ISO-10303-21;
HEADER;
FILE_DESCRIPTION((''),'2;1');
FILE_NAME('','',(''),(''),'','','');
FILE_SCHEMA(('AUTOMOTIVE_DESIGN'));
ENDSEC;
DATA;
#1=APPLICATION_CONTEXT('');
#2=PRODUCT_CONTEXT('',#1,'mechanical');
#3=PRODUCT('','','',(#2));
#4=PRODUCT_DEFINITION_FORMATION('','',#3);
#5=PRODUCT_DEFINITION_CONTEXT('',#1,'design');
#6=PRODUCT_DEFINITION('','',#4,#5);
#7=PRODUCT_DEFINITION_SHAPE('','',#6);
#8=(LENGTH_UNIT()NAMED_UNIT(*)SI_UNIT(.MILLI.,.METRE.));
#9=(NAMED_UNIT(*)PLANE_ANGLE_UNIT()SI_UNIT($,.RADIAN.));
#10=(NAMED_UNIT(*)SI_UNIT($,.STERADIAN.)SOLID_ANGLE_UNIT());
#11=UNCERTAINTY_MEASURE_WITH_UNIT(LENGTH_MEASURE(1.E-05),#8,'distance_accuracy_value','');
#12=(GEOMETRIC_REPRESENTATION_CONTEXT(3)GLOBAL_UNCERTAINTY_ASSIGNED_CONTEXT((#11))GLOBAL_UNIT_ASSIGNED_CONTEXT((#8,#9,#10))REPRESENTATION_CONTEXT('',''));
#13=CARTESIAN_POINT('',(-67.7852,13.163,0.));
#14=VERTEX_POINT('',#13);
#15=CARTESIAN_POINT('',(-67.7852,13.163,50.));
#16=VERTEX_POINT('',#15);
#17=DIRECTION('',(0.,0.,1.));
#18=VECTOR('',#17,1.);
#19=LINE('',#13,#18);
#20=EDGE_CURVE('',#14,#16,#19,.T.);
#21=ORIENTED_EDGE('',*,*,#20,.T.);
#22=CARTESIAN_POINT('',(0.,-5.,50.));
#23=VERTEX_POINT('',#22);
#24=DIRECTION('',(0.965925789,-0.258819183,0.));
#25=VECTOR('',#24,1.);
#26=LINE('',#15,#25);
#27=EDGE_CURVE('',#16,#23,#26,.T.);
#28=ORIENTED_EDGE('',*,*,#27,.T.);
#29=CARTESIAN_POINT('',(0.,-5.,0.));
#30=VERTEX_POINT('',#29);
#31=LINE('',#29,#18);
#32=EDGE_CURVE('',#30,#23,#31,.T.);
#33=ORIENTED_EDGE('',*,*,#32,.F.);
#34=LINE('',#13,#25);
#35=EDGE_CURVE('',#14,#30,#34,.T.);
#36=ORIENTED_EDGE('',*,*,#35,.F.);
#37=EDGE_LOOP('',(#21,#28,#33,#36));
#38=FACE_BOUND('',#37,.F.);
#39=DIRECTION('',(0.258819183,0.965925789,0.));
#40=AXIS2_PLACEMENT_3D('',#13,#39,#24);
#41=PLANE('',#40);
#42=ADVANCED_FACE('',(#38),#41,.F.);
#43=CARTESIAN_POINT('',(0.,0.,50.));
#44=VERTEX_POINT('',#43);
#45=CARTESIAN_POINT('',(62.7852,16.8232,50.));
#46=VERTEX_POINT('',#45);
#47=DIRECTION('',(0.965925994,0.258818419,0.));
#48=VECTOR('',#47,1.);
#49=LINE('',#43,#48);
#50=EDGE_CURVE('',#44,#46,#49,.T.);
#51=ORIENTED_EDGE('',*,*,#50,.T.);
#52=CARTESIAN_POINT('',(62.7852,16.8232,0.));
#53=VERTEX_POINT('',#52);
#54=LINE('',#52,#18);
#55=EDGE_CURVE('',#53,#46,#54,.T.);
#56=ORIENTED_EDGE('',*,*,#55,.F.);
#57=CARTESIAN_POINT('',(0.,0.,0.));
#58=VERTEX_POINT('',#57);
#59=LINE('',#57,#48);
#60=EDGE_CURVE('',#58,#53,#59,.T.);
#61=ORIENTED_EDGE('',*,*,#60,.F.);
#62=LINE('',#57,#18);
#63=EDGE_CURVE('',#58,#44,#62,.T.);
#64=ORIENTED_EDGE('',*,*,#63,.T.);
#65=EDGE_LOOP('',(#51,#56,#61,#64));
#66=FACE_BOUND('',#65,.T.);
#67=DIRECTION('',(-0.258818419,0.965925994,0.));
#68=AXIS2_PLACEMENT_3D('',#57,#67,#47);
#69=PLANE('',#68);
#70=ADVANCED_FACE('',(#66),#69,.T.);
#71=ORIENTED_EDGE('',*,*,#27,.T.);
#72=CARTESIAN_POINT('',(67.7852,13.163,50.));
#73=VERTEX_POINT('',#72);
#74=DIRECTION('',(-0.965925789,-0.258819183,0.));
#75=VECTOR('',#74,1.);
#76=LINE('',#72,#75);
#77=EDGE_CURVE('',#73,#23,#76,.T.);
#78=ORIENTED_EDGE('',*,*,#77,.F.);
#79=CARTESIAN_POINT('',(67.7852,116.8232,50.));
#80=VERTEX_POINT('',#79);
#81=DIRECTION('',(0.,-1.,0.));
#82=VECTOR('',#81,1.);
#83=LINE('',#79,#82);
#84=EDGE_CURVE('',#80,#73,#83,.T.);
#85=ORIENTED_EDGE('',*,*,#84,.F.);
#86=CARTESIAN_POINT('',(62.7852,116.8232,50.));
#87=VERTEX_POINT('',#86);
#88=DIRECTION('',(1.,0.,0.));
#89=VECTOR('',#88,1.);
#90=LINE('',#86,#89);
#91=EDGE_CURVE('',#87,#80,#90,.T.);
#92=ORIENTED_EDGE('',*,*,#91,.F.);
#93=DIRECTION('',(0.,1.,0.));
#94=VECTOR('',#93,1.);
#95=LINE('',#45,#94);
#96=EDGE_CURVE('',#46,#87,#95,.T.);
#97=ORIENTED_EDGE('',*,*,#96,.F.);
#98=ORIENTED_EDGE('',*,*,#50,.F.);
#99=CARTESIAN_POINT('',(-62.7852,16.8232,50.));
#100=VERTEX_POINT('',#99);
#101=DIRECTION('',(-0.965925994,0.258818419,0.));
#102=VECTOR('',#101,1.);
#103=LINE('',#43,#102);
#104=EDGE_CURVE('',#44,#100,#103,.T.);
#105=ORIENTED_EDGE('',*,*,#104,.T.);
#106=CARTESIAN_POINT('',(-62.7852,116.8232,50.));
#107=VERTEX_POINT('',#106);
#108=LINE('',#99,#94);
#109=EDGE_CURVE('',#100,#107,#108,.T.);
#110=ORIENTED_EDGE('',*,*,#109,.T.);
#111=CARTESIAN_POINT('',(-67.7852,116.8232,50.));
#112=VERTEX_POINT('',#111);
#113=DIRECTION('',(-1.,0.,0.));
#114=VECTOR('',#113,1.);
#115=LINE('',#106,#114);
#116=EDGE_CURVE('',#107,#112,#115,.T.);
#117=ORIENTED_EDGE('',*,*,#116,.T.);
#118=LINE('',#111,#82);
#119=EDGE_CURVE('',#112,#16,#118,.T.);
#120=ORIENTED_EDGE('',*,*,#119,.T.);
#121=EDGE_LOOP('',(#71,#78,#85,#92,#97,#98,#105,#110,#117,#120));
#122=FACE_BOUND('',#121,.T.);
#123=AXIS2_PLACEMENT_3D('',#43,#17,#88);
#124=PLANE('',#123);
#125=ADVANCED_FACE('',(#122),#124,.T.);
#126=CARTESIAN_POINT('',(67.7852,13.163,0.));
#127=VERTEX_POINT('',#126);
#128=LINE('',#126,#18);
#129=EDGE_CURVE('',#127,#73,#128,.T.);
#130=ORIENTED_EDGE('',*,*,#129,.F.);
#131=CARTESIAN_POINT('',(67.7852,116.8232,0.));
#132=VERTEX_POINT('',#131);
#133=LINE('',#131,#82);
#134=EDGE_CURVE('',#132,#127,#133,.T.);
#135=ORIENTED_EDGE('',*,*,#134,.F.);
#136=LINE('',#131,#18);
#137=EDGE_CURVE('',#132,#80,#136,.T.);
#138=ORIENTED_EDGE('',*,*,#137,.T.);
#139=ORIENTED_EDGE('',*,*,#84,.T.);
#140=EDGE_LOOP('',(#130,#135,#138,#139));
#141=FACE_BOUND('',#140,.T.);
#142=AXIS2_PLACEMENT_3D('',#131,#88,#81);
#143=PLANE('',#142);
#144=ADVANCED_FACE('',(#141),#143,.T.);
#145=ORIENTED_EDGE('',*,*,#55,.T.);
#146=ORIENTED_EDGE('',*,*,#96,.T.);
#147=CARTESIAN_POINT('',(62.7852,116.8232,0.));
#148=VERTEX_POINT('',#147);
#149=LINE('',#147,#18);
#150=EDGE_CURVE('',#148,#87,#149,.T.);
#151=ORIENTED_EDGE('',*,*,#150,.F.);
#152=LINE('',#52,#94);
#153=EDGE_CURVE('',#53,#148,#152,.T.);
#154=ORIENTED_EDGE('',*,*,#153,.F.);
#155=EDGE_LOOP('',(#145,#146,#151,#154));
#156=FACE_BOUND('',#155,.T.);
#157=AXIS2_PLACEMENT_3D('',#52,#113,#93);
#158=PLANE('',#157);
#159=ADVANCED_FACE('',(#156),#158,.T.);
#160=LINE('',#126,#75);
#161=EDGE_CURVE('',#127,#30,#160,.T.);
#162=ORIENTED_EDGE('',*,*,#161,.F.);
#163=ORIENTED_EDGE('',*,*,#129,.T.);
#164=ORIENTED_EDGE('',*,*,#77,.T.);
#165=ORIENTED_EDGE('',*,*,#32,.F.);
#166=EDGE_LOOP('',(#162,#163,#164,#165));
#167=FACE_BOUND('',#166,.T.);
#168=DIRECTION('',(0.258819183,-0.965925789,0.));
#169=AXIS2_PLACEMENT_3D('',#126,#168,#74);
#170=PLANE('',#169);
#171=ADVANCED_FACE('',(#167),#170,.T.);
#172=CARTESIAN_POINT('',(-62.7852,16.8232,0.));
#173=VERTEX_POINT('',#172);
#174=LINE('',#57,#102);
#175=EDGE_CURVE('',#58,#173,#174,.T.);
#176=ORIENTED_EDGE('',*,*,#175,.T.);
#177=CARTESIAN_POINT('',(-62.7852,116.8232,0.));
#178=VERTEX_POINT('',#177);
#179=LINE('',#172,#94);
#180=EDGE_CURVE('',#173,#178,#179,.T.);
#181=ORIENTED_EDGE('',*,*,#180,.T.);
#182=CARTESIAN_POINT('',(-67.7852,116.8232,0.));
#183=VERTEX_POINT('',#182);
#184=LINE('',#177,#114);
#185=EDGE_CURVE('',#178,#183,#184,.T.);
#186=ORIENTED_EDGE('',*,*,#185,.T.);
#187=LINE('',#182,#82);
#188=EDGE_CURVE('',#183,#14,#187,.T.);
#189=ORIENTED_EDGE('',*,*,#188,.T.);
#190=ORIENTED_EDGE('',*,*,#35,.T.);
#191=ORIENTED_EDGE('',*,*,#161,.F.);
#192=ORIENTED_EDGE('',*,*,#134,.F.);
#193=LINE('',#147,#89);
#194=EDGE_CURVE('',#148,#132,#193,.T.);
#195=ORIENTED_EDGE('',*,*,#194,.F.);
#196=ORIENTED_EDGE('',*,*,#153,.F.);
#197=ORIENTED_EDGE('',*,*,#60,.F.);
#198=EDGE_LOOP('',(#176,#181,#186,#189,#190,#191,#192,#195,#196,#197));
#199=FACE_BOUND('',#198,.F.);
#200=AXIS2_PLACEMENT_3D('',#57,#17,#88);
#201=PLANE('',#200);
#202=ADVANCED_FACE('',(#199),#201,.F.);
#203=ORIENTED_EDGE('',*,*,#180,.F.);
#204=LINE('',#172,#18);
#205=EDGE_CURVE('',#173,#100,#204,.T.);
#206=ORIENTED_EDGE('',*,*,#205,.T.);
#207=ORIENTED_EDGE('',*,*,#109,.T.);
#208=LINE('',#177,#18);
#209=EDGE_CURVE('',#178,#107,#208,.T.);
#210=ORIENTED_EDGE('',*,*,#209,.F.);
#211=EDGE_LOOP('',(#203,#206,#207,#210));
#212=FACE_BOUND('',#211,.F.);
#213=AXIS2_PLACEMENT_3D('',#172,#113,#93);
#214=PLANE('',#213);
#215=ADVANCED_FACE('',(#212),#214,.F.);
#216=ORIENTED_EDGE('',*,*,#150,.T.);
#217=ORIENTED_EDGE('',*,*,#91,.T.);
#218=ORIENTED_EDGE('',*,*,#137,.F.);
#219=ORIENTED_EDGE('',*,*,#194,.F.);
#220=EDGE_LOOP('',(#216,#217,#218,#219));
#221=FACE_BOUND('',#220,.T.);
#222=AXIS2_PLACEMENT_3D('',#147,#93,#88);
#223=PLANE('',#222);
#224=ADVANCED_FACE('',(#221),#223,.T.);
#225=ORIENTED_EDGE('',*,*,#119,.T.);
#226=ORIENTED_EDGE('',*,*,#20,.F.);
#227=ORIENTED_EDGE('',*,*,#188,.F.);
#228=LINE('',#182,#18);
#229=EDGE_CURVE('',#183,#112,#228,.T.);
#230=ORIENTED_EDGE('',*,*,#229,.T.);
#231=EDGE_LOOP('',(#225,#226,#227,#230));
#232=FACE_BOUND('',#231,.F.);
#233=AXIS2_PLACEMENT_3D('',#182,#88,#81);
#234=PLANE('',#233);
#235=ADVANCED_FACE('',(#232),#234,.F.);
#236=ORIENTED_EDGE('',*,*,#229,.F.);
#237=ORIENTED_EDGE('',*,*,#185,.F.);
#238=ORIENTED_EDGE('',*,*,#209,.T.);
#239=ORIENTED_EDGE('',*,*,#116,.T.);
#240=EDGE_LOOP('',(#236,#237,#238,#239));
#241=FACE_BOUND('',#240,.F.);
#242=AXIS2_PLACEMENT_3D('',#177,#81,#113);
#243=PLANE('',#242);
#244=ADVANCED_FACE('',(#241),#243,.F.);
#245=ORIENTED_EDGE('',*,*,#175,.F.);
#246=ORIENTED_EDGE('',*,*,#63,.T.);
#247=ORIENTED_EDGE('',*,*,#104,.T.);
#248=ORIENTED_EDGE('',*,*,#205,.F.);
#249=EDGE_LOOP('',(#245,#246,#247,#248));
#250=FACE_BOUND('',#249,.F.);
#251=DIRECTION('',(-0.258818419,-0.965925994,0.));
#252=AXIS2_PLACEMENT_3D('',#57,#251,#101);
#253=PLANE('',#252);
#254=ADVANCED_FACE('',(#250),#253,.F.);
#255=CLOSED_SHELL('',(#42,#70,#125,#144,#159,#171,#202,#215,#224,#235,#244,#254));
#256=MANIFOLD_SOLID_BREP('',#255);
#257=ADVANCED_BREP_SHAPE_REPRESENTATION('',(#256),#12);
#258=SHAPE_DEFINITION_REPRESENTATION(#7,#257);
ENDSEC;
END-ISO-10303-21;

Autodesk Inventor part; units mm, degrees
ref_plane "YZ Plane" through (0, 0, 0) normal (1, 0, 0) x (0, 1, 0)
ref_plane "XZ Plane" through (0, 0, 0) normal (0, 1, 0) x (-1, 0, 0)
ref_plane "XY Plane" through (0, 0, 0) normal (0, 0, 1) x (1, 0, 0)
sketch "Sketch1" plane through (0, 0, 0) normal (0, 0, 1) x (1, 0, 0)
  line L0 (0, 0) -> (62.7852, 16.8232)
  line L1 (0, 0) -> (65, 0) construction
  line L2 (62.7852, 16.8232) -> (62.7852, 116.8232)
  line L3 (62.7852, 116.8232) -> (67.7852, 116.8232)
  line L4 (67.7852, 116.8232) -> (67.7852, 13.163)
  line L5 (67.7852, 13.163) -> (0, -5)
  line L6 (0, -5) -> (0, 0)
  line L7 (0, 0) -> (-62.7852, 16.8232)
  line L8 (0, 0) -> (-65, 0) construction
  line L9 (-62.7852, 16.8232) -> (-62.7852, 116.8232)
  line L10 (-62.7852, 116.8232) -> (-67.7852, 116.8232)
  line L11 (-67.7852, 116.8232) -> (-67.7852, 13.163)
  line L12 (-67.7852, 13.163) -> (0, -5)
  line L13 (0, 0) -> (62.7852, 16.8232)
  line L14 (0, 0) -> (65, 0) construction
  line L15 (62.7852, 16.8232) -> (62.7852, 116.8232)
  line L16 (62.7852, 116.8232) -> (77.7852, 116.8232)
  line L17 (77.7852, 116.8232) -> (77.7852, 5.8425)
  line L18 (77.7852, 5.8425) -> (0, -15)
  line L19 (0, 0) -> (0, -15)
  line L20 (0, 0) -> (-62.7852, 16.8232)
  line L21 (0, 0) -> (-65, 0) construction
  line L22 (-62.7852, 16.8232) -> (-62.7852, 116.8232)
  line L23 (-62.7852, 116.8232) -> (-77.7852, 116.8232)
  line L24 (-77.7852, 116.8232) -> (-77.7852, 5.8425)
  line L25 (-77.7852, 5.8425) -> (0, -15)
  dimension "d0" = 65
  dimension "d1" = 15
  dimension "d2" = 100
  dimension "d3" = 5
  dimension "d4" = 5
  dimension "d7" = 65
  dimension "d8" = 15
  dimension "d9" = 100
  dimension "d10" = 15
  dimension "d11" = 15
extrude "Extrusion1" add sketch "Sketch1" along normal blind 50 contours L0 L2 L3 L4 L5 L6 | L6 L12 L11 L10 L9 L7
properties part number "Rumpf"
